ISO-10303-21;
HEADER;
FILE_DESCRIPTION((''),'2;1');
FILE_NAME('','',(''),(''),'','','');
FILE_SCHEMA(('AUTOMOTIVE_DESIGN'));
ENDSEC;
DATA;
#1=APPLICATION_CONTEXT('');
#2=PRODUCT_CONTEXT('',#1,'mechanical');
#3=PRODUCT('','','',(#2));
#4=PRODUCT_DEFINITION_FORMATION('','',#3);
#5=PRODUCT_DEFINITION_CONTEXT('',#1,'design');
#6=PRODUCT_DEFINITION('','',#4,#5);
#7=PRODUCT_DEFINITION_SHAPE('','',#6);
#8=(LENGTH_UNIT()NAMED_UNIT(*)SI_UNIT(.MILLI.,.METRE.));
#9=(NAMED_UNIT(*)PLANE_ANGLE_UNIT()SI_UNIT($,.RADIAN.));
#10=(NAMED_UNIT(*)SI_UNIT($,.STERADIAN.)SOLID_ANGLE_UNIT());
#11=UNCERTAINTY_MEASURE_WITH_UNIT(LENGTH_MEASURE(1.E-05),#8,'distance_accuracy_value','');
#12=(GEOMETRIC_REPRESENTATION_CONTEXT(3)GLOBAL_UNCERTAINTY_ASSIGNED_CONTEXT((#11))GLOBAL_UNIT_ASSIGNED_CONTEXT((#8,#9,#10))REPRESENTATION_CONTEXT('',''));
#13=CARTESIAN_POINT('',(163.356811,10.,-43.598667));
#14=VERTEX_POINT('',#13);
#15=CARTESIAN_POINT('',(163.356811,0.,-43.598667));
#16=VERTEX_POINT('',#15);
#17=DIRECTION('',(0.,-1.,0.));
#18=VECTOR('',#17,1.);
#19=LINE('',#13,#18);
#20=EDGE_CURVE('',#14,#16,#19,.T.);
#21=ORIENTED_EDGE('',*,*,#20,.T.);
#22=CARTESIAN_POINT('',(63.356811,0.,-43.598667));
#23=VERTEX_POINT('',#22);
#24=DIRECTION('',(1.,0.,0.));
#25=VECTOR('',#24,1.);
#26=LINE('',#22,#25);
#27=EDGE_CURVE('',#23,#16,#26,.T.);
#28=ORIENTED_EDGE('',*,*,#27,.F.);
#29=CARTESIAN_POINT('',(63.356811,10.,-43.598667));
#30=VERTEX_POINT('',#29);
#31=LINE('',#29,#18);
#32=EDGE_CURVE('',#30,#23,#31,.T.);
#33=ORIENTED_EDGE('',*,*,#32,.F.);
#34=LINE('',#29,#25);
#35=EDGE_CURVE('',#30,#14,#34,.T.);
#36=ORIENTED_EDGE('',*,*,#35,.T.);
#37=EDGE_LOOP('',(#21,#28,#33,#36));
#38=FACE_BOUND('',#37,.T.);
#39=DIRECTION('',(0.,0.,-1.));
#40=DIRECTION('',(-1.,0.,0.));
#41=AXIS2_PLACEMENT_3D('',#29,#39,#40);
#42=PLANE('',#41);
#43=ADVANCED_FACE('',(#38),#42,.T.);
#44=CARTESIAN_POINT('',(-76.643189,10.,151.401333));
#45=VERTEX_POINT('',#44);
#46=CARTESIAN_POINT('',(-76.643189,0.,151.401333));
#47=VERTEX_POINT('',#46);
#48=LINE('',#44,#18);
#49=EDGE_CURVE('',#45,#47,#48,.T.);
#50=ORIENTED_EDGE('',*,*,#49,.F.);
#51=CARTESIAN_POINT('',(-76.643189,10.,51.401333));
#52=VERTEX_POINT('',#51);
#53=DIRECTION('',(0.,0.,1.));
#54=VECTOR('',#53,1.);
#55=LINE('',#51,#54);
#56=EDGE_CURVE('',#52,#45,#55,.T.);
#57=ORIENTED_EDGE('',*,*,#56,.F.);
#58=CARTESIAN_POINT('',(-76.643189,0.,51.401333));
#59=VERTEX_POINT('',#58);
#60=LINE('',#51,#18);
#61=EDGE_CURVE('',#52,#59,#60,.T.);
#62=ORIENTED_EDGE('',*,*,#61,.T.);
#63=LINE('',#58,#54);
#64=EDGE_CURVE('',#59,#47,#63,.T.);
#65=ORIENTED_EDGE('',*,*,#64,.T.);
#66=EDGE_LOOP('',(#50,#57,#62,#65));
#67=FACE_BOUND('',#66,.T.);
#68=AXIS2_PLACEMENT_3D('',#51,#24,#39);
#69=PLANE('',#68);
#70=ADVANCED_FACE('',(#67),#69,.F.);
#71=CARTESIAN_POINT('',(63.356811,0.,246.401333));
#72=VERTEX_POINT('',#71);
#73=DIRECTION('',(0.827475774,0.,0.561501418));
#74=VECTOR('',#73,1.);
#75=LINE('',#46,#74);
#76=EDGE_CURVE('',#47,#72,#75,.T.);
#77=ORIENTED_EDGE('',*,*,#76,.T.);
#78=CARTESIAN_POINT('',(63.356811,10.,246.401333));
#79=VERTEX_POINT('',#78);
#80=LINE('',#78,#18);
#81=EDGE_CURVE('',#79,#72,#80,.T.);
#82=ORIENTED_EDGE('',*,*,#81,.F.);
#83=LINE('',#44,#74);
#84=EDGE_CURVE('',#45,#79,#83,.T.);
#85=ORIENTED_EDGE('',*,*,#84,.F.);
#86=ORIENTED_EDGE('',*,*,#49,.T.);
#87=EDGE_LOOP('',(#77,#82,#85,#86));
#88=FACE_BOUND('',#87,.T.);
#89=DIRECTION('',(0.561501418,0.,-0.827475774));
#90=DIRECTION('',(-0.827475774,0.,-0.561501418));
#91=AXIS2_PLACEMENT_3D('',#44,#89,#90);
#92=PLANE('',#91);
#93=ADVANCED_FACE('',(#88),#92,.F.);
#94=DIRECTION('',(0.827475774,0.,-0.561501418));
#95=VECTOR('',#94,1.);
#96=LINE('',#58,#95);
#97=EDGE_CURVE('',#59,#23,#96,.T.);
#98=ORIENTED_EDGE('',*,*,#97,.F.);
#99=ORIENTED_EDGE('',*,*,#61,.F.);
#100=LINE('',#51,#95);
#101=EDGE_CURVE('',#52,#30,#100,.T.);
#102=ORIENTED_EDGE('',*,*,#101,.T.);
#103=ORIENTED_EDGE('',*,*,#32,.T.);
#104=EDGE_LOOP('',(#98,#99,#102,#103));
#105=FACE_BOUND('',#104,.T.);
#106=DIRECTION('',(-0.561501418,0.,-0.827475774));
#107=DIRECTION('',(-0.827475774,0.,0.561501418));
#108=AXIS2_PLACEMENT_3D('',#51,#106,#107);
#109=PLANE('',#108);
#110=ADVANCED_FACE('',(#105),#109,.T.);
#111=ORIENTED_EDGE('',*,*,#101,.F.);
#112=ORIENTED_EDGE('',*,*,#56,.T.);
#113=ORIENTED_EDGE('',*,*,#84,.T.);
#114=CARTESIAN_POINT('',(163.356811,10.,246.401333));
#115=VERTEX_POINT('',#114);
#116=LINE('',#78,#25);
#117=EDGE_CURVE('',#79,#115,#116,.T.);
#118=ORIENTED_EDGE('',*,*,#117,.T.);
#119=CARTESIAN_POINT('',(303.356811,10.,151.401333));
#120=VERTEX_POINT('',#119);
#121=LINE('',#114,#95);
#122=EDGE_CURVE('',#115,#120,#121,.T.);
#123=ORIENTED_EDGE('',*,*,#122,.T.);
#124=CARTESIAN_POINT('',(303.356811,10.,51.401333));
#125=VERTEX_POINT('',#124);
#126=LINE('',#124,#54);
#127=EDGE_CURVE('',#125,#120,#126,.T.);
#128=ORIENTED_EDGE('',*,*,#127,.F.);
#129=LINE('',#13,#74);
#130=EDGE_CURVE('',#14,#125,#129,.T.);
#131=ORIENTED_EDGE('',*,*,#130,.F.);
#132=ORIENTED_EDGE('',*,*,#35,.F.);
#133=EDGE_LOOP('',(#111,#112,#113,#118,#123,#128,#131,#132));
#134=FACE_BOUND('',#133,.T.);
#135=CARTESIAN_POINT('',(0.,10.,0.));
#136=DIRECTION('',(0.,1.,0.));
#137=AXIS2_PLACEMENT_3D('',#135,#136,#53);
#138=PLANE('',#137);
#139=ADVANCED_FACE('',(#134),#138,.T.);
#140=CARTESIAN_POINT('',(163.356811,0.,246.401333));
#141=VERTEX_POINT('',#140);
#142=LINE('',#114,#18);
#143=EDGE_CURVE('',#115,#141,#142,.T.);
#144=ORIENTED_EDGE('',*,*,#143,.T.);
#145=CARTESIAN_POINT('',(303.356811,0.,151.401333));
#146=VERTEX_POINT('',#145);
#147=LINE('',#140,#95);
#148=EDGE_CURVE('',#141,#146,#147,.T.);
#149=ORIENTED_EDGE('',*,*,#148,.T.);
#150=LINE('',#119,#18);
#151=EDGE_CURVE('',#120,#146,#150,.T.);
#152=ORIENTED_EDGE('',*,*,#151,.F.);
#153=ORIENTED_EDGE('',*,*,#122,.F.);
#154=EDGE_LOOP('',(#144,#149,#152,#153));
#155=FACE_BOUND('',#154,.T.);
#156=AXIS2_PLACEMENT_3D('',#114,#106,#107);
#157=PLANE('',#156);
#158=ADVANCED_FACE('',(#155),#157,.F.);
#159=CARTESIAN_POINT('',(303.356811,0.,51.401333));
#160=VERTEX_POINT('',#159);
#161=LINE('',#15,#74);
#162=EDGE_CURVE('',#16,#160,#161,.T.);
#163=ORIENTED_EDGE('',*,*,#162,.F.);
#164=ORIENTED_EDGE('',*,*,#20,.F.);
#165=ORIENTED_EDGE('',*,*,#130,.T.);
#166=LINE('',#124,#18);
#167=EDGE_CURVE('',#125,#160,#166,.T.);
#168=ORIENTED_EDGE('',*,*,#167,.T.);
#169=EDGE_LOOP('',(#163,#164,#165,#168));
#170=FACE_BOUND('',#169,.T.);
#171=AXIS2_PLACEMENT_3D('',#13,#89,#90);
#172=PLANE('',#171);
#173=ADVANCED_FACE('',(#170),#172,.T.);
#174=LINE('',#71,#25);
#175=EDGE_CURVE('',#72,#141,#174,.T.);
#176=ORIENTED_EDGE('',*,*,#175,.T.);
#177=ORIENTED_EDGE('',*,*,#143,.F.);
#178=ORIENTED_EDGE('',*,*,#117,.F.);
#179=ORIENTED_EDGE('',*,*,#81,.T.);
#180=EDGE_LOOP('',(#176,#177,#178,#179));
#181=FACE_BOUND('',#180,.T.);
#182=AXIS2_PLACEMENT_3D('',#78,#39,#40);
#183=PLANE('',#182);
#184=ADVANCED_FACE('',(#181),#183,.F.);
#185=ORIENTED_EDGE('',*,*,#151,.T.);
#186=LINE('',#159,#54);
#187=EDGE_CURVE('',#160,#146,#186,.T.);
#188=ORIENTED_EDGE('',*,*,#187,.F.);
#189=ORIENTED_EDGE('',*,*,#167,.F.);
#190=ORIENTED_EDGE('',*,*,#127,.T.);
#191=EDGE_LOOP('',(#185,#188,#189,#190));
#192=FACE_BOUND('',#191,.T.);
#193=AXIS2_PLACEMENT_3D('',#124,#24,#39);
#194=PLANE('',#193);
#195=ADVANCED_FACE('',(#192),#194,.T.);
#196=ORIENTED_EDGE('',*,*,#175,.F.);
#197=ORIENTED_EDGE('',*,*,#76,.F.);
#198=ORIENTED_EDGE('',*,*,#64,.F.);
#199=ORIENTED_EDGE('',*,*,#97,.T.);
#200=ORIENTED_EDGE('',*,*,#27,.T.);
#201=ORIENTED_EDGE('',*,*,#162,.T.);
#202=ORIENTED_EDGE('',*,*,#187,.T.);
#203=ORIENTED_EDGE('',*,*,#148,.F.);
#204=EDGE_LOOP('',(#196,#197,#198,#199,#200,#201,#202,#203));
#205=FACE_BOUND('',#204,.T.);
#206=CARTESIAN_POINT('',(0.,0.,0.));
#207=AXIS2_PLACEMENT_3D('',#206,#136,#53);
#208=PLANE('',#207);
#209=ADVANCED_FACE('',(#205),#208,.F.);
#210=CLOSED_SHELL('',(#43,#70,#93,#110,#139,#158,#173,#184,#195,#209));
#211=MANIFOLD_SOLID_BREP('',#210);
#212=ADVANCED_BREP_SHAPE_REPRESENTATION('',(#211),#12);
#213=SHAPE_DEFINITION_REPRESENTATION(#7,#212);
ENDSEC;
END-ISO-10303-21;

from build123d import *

# Parameters (mm, degrees)
BOSS_EXTRU_1_DEPTH = 10


with BuildPart() as part:
    # Esquisse1 → Boss.-Extru.1 (new body)
    with BuildSketch(Plane(origin=(0, 0, 0), x_dir=(1, 0, 0), z_dir=(0, 1, 0))):
        Polygon((-76.643189126, -51.401333399), (63.356810874, 43.598666601), (163.356810874, 43.598666601), (303.356810874, -51.401333399), (303.356810874, -151.401333399), (163.356810874, -246.401333399), (63.356810874, -246.401333399), (-76.643189126, -151.401333399), align=None)
    extrude(amount=BOSS_EXTRU_1_DEPTH)


solid = part.part
